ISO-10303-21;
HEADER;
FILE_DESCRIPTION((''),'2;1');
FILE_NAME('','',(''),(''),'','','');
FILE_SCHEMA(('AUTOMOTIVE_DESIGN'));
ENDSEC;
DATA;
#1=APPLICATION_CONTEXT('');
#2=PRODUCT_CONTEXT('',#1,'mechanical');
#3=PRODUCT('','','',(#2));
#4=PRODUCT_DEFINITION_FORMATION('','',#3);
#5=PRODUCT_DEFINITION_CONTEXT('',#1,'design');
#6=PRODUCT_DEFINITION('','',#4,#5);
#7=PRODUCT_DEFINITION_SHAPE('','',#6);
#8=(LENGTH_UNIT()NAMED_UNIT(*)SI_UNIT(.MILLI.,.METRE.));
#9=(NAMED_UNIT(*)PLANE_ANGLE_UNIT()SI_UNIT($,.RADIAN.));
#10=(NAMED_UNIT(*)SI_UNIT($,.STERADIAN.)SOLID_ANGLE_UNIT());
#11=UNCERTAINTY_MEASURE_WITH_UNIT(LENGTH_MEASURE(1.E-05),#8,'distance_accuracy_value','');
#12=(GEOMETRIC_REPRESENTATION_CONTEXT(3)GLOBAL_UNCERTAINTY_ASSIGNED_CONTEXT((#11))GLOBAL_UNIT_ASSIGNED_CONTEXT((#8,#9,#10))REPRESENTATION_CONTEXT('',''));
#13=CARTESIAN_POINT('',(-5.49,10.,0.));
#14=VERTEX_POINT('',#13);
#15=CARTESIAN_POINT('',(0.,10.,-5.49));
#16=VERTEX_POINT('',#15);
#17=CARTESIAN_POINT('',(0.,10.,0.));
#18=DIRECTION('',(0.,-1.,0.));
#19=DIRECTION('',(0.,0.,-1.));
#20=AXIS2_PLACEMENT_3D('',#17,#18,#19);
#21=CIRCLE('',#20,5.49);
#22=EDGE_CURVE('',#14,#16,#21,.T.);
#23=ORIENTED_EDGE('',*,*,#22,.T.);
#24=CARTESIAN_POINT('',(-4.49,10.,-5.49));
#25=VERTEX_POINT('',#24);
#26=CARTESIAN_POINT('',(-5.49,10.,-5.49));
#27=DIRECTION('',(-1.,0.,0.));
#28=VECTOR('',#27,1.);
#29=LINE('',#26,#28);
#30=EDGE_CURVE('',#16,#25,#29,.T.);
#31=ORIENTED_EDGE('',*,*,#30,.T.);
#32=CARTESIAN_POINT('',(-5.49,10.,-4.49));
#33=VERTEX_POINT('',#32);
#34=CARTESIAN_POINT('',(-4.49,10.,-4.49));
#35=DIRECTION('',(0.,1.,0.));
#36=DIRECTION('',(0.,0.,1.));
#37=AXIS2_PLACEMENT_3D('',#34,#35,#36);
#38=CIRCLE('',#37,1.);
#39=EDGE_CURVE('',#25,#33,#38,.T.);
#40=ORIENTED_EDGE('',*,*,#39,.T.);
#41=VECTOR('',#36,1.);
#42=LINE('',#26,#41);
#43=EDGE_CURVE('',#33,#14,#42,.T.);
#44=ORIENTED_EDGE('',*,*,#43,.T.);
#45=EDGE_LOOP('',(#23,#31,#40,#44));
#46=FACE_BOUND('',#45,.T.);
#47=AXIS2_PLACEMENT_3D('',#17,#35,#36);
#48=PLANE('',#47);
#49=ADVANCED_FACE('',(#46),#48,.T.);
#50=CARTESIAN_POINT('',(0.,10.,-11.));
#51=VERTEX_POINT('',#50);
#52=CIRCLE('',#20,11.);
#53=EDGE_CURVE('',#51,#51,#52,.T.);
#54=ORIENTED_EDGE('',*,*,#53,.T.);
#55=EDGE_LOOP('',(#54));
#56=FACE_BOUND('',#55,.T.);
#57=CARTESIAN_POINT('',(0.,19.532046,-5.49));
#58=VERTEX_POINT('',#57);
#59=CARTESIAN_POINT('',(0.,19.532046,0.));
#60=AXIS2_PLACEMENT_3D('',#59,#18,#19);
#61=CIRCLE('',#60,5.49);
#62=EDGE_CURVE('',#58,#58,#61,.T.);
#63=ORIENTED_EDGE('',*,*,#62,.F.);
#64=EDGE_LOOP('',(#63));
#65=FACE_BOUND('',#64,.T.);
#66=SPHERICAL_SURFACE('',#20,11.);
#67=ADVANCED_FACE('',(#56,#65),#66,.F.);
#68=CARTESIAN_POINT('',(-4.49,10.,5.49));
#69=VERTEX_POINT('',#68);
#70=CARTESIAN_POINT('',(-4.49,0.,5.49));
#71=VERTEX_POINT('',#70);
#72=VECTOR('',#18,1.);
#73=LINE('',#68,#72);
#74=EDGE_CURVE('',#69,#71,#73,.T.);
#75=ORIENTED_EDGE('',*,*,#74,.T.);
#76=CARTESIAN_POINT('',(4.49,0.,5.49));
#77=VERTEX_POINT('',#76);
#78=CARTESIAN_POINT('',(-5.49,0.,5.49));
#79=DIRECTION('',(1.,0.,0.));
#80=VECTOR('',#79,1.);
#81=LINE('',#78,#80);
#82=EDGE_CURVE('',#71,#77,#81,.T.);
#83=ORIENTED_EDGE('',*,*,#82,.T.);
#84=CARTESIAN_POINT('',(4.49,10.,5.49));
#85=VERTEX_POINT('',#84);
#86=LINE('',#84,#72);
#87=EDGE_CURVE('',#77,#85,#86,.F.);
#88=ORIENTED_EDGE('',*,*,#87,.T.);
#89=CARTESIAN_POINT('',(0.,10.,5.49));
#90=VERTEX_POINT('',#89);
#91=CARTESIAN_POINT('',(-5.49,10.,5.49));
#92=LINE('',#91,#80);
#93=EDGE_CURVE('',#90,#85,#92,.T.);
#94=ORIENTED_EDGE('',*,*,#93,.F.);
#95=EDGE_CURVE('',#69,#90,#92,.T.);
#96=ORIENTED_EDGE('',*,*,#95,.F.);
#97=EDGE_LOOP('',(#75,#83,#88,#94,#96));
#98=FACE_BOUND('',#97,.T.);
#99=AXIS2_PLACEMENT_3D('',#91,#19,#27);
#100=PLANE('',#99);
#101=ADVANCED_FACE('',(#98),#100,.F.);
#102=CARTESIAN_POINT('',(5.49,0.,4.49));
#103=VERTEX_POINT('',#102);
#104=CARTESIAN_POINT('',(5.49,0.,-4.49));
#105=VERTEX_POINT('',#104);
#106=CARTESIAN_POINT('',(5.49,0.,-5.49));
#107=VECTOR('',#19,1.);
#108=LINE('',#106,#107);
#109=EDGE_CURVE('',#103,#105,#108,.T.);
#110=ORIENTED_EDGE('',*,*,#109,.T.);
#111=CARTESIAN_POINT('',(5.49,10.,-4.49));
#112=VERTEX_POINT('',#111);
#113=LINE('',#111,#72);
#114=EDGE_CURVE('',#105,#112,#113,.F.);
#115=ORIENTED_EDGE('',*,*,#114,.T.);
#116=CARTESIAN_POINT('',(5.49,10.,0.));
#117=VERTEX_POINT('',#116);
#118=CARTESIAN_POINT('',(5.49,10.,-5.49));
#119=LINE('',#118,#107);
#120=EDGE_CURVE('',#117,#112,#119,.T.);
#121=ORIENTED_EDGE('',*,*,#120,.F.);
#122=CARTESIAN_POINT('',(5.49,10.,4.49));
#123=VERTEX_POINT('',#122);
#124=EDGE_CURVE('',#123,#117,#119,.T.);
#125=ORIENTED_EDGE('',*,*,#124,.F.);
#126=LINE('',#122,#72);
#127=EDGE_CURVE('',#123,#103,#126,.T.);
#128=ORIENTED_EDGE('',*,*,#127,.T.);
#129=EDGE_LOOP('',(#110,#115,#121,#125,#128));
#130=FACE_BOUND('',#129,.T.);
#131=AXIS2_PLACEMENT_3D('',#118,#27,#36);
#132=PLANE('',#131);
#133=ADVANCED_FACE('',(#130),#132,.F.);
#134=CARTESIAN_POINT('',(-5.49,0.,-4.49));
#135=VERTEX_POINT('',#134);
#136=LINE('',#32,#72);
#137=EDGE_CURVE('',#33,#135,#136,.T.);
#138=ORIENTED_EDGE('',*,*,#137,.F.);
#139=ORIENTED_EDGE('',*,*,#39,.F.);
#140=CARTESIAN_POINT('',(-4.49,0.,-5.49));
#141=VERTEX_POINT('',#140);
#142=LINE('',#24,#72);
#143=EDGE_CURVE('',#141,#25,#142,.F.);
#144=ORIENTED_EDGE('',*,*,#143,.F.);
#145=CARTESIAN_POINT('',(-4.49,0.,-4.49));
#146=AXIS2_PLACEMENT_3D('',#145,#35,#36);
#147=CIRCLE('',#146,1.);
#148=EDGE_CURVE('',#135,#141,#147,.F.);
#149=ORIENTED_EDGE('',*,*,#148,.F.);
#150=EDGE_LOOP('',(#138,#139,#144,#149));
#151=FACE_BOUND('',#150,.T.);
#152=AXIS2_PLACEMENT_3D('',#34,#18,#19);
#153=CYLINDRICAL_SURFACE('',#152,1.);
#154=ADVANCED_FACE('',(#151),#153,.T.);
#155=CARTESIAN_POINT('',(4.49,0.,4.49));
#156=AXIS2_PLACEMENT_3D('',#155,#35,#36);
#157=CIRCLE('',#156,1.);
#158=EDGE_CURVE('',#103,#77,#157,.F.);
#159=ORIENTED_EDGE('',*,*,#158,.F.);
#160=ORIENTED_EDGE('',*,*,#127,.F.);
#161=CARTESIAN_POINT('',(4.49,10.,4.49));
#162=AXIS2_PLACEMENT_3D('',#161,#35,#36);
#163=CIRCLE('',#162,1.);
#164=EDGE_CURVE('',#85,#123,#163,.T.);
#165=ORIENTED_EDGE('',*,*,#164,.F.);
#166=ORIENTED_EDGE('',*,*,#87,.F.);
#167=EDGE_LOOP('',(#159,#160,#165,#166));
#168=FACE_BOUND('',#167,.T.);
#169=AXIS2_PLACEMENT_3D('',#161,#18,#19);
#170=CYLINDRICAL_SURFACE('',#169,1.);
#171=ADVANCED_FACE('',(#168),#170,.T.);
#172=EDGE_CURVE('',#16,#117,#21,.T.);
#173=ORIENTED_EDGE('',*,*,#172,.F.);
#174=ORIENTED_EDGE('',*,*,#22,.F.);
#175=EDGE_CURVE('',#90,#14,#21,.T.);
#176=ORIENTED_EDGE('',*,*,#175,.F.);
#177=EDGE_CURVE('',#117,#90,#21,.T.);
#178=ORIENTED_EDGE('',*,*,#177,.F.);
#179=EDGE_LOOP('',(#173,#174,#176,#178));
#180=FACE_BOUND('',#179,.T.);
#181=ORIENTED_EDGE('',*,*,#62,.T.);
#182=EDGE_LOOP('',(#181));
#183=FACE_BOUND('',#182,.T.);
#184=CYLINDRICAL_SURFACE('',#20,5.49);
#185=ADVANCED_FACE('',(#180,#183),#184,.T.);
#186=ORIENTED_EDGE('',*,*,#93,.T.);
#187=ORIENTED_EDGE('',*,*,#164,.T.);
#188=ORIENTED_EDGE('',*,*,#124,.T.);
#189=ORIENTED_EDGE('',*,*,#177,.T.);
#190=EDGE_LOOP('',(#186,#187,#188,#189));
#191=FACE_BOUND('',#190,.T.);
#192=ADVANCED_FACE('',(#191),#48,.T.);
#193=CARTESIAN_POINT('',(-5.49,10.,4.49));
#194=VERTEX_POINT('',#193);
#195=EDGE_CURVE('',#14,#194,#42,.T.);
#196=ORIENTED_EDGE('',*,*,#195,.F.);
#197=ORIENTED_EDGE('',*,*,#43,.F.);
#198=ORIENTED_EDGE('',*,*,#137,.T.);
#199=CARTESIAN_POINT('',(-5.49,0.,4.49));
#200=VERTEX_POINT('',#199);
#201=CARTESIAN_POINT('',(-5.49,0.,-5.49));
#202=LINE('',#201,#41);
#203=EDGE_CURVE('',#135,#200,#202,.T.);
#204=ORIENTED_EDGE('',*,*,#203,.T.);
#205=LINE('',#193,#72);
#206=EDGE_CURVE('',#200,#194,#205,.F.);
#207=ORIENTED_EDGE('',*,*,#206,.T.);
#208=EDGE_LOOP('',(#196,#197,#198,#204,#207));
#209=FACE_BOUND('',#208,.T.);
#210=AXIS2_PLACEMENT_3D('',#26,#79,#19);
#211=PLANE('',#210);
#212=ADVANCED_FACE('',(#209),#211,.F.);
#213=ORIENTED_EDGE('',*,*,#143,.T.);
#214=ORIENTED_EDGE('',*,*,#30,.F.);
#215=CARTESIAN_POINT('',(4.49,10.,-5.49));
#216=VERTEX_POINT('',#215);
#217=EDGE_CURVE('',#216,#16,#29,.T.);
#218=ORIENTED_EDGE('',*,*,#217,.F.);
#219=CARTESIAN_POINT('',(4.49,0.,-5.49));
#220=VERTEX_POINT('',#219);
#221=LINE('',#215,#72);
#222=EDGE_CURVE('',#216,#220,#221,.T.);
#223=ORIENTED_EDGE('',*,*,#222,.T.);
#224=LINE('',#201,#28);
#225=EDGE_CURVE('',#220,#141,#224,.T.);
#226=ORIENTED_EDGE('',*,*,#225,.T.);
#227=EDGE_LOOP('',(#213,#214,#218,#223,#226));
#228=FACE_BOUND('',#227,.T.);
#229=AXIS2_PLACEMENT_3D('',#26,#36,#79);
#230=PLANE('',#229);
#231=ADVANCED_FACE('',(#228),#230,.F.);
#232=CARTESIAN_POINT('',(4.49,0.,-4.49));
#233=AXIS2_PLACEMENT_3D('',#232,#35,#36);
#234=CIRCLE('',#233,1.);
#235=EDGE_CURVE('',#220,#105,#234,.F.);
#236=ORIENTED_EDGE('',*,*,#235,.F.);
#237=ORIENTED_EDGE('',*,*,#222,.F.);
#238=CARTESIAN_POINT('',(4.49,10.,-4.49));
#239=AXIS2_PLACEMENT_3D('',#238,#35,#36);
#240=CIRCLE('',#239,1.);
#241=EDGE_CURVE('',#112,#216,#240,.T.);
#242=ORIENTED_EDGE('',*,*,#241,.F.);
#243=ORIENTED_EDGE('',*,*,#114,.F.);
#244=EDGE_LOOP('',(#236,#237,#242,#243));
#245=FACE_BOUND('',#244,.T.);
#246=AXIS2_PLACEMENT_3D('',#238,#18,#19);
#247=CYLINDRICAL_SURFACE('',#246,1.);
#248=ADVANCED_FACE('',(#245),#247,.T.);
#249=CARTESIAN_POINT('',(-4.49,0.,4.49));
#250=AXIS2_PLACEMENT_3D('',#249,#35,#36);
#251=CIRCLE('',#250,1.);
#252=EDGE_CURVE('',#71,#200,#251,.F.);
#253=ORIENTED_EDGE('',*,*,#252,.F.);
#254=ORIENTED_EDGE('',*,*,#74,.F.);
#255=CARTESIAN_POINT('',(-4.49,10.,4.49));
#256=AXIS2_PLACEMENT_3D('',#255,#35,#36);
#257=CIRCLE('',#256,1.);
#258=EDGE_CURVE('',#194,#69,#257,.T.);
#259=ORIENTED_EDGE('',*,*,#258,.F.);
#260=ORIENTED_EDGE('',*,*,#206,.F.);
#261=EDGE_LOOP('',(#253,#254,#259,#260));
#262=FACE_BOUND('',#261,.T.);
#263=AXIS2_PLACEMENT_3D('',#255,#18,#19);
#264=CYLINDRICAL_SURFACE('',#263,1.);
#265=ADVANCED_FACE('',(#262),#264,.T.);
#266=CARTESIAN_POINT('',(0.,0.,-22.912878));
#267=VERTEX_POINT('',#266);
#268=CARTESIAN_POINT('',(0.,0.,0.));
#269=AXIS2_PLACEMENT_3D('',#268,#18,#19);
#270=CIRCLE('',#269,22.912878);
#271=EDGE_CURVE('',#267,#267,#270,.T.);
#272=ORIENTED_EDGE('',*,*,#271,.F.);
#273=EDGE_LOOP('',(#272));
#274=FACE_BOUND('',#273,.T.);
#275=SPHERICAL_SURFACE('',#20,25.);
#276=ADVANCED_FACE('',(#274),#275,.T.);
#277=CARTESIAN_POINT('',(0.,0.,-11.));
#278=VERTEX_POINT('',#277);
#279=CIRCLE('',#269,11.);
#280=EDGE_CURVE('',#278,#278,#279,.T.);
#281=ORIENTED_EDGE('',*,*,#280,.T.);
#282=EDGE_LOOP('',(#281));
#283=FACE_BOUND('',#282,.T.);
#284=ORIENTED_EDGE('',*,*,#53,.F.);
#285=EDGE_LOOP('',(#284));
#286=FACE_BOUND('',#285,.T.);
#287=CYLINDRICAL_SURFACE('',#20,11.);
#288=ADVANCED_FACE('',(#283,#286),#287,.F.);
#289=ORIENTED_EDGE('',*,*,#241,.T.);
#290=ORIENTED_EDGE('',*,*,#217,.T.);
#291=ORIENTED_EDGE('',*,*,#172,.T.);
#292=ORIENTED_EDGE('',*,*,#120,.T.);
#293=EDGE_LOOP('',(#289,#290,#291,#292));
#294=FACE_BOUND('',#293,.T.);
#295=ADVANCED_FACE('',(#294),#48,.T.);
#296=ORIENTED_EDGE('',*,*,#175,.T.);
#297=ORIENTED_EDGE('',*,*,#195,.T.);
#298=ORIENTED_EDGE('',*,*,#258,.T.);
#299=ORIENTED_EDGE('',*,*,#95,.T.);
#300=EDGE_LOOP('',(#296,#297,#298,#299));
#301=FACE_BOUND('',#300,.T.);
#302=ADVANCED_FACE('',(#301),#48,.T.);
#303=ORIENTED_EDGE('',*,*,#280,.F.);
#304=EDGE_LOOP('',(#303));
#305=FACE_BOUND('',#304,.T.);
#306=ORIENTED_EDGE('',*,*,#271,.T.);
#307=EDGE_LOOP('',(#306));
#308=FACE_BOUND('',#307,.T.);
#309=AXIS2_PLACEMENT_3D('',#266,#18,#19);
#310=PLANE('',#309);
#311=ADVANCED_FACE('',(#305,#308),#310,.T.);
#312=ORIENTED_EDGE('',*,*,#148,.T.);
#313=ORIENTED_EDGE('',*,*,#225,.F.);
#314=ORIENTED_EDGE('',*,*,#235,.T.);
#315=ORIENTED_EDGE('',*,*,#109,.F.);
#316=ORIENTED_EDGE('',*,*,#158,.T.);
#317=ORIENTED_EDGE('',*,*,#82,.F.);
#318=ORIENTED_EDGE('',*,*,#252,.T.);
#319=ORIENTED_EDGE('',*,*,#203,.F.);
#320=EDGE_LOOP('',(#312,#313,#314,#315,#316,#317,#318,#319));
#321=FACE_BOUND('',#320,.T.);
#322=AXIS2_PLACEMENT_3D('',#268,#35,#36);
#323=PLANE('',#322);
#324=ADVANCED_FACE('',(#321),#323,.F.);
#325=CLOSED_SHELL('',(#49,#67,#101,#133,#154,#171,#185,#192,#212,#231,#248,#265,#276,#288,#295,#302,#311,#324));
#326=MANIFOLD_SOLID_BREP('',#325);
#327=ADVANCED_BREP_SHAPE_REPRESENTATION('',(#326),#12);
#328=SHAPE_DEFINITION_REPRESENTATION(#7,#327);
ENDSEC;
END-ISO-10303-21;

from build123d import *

# Parameters (mm, degrees)
SKETCH2_W           = 10.98
SKETCH2_H           = 10.98
BOSS_EXTRUDE1_DEPTH = 10
FILLET1_R           = 1


with BuildPart() as part:
    # Sketch2 → Boss-Extrude1 (new body)
    with BuildSketch(Plane(origin=(0, 0, 0), x_dir=(1, 0, 0), z_dir=(0, 1, 0))):
        Rectangle(SKETCH2_W, SKETCH2_H)
    extrude(amount=BOSS_EXTRUDE1_DEPTH)

    # Fillet1
    fillet1_edges = [part.edges().sort_by_distance(p)[0] for p in [
        (5.49, 5, 5.49),
        (-5.49, 5, 5.49),
        (-5.49, 5, -5.49),
        (5.49, 5, -5.49),
    ]]
    fillet(fillet1_edges, radius=FILLET1_R)

    # Sketch4 → Revolve1 (revolve)
    with BuildSketch(Plane(origin=(0, 0, 0), x_dir=(0, 0, -1), z_dir=(1, 0, 0))):
        with BuildLine():
            Line((22.912878475, 0), (11, 0))
            Line((11, 0), (11, 10))
            ThreePointArc((11, 10), (9.523392253, 15.504997729), (5.49, 19.53204595))
            Line((5.49, 19.53204595), (5.49, 10))
            Line((5.49, 10), (0, 10))
            Line((0, 10), (0, 35))
            ThreePointArc((0, 35), (20.916500663, 23.693063938), (22.912878475, 0))
        make_face()
    revolve(axis=Axis((0, 10, 0), (0, 1, 0)))


solid = part.part
